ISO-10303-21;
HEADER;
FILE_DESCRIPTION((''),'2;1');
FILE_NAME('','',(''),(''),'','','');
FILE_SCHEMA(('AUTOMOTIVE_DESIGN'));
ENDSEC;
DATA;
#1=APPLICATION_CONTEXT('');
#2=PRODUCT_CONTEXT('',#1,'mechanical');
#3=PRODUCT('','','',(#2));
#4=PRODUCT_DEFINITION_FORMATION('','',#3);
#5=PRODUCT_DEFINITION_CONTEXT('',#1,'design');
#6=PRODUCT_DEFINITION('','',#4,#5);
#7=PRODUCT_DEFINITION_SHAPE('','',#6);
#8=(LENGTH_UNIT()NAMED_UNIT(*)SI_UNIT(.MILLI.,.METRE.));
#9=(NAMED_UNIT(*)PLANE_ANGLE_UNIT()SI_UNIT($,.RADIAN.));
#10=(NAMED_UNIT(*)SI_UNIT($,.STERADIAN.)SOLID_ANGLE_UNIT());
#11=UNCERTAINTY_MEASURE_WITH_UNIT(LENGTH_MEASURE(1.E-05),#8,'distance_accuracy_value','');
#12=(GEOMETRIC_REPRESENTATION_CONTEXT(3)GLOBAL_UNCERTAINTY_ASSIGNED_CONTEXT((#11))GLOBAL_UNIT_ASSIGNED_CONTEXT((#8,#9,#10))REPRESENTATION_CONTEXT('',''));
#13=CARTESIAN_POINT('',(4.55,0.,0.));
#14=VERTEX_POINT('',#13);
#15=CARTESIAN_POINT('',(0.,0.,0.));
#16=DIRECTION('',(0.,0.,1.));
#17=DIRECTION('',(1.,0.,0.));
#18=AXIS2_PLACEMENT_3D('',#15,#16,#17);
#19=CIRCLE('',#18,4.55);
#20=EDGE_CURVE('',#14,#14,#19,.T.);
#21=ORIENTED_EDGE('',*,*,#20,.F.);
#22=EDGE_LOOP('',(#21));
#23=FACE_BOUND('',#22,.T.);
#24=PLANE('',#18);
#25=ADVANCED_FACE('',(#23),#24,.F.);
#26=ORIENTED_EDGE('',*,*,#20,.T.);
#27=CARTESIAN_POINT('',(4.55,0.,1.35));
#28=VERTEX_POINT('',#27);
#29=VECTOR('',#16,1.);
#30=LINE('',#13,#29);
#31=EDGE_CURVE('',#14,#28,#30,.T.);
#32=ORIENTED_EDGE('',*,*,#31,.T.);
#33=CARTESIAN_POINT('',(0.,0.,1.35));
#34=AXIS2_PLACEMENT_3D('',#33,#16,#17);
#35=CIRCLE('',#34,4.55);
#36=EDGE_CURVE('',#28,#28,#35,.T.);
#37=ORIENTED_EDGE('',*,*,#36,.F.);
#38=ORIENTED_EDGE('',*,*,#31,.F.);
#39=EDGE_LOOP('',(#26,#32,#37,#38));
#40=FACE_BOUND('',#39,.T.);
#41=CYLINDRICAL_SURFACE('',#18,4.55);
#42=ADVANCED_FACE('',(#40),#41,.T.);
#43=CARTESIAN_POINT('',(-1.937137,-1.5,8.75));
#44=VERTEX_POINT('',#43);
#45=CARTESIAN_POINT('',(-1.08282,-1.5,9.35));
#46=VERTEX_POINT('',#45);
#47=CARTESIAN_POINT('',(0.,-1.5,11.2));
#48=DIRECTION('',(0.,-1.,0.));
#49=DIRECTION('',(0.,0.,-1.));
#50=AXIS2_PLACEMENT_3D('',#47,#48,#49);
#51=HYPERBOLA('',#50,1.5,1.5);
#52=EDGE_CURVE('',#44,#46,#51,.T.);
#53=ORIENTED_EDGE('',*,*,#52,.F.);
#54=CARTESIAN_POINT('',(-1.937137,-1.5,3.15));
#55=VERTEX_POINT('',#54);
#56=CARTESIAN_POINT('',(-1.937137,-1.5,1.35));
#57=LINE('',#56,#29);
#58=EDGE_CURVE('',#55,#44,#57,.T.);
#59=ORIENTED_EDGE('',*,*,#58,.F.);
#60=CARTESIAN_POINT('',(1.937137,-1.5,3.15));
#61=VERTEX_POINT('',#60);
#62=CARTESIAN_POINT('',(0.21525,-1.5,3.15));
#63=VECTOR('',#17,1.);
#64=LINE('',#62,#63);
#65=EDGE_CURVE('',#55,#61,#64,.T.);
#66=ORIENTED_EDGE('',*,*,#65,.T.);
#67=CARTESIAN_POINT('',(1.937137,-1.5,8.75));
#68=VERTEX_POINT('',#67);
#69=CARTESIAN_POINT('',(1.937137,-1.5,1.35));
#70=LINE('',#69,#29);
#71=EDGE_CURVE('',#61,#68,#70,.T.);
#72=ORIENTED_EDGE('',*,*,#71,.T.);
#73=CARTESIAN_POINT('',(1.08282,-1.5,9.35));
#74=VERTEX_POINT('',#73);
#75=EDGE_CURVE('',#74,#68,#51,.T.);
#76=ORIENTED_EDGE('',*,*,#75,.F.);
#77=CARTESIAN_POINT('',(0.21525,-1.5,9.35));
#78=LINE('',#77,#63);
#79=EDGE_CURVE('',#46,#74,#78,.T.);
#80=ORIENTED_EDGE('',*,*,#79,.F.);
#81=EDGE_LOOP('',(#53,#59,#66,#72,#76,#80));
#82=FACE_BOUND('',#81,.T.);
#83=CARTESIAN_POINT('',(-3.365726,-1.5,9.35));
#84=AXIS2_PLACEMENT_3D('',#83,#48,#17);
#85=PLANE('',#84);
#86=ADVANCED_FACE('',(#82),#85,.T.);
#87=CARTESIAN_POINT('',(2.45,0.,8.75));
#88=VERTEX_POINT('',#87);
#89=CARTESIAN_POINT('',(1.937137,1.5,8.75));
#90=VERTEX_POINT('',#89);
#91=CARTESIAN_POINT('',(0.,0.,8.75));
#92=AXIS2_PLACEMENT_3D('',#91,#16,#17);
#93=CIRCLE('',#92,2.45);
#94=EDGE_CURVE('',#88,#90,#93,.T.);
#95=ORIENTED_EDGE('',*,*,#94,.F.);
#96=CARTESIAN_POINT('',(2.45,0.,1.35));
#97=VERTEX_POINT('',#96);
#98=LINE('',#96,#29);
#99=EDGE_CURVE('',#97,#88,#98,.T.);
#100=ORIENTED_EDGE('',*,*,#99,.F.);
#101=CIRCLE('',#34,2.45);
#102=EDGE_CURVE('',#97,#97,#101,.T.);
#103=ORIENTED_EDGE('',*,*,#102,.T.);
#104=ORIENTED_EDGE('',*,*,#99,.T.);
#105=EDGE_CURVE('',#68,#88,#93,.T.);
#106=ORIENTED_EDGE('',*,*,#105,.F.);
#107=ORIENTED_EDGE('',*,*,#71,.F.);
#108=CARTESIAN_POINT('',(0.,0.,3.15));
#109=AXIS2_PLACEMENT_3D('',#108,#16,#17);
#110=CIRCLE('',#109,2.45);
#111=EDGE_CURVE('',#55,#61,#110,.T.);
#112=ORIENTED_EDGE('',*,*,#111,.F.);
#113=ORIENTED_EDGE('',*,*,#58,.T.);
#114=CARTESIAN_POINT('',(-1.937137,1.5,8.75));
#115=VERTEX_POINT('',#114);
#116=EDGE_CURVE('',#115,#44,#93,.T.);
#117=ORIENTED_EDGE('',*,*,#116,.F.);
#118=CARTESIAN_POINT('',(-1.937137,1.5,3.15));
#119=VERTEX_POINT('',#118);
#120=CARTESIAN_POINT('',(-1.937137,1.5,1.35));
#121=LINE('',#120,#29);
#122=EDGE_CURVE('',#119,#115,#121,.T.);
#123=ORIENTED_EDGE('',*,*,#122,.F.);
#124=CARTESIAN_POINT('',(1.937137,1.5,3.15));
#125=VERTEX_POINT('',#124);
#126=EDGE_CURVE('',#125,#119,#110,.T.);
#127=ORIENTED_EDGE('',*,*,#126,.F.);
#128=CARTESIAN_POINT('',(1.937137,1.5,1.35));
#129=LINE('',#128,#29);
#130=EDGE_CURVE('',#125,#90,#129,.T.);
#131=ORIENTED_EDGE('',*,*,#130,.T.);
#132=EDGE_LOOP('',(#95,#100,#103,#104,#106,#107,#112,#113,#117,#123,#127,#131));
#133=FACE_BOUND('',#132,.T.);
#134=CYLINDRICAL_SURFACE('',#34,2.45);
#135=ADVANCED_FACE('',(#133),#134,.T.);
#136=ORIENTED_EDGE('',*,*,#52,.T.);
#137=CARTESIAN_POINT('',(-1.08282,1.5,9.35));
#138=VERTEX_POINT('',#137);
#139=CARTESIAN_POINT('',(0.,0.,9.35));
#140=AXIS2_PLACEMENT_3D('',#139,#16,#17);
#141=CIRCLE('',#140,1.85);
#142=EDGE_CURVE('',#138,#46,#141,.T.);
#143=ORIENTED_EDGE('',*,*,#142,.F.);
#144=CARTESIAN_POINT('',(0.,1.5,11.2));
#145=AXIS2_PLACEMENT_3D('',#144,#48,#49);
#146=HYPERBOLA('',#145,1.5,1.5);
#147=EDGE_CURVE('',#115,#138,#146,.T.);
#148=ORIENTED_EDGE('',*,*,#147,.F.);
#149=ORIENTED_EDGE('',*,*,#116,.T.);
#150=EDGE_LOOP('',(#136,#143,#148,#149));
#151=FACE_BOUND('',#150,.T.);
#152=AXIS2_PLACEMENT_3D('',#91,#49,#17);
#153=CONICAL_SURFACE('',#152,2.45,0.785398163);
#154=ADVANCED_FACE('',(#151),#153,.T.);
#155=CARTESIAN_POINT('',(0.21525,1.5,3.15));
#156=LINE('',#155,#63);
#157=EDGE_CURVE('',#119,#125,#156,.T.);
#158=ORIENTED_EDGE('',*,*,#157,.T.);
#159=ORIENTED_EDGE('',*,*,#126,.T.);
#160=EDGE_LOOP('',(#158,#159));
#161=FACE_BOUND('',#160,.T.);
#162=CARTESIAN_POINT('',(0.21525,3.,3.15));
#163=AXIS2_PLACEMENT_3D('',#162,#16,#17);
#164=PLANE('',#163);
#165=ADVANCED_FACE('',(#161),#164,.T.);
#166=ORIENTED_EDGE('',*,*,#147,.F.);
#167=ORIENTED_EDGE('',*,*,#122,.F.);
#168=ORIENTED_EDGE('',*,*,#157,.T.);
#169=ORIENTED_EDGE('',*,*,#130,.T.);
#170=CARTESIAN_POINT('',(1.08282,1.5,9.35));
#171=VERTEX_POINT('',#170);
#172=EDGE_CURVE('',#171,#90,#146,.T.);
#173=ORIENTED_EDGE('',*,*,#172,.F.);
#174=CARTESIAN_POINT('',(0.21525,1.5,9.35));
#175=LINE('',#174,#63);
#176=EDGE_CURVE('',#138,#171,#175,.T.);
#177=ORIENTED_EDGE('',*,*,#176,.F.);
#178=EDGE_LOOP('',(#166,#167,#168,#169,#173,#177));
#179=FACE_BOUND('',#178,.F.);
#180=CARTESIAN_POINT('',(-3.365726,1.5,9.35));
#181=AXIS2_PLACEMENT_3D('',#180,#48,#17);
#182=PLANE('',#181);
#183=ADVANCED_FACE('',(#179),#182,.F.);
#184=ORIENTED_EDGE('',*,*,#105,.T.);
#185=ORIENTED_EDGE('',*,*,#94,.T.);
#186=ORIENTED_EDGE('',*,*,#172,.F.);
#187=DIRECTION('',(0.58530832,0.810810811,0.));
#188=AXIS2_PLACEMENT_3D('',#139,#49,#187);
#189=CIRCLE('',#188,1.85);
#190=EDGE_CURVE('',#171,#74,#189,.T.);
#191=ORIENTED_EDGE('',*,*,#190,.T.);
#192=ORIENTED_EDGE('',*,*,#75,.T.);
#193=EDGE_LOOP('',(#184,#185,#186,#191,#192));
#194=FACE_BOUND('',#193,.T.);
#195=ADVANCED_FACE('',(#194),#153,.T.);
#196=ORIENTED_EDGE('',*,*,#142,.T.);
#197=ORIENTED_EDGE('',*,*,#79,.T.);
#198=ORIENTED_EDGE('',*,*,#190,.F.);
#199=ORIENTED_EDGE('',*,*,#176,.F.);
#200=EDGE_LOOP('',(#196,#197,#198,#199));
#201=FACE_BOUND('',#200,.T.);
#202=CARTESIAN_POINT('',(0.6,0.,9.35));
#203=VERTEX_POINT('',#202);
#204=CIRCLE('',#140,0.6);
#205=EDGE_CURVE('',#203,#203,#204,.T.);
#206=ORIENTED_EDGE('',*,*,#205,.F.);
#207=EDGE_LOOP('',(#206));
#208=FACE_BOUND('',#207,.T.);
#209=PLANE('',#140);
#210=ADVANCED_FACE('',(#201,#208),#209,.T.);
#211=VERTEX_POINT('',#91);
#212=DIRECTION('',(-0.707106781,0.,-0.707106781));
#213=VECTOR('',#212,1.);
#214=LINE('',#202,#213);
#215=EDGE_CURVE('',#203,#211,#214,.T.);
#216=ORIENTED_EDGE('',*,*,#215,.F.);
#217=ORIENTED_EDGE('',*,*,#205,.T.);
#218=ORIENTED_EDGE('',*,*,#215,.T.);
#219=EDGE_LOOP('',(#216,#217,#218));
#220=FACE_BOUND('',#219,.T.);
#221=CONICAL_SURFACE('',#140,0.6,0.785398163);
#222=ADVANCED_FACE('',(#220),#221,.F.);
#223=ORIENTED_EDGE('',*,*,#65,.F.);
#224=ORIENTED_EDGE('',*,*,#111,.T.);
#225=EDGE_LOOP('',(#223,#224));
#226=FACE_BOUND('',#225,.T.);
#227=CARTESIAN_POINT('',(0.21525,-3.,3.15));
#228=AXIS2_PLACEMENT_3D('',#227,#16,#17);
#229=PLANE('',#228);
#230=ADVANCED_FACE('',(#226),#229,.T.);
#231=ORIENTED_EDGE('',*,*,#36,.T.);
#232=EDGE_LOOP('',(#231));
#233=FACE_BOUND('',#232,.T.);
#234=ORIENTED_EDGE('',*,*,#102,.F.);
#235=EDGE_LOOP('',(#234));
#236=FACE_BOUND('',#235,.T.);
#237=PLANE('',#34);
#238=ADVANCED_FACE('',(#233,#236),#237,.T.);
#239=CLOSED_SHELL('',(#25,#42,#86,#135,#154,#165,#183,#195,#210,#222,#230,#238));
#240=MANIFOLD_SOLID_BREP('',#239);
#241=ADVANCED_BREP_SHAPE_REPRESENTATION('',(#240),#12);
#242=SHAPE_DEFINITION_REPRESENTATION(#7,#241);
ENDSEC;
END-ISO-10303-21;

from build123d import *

# Parameters (mm, degrees)
F2_W     = 7.161952
F2_H     = 3
F3_DEPTH = 6.2


with BuildPart() as f1:
    # F0 (on Front) → F1 (revolve)
    with BuildSketch(Plane.XZ):
        Polygon((0, 8.75), (0, 0), (4.55, 0), (4.55, 1.35), (2.45, 1.35), (2.45, 8.75), (1.85, 9.35), (0.6, 9.35), align=None)
    revolve(axis=Axis((0, 0, 11.047808), (0, 0, 1)))

    # F2 (on face) → F3 (cut)
    with BuildSketch(Plane.XY.offset(9.35)):
        with Locations((0.21525, 3)):
            Rectangle(F2_W, F2_H)
        with Locations((0.21525, -3)):
            Rectangle(F2_W, F2_H)
    extrude(amount=-F3_DEPTH, mode=Mode.SUBTRACT)


solid = f1.part
